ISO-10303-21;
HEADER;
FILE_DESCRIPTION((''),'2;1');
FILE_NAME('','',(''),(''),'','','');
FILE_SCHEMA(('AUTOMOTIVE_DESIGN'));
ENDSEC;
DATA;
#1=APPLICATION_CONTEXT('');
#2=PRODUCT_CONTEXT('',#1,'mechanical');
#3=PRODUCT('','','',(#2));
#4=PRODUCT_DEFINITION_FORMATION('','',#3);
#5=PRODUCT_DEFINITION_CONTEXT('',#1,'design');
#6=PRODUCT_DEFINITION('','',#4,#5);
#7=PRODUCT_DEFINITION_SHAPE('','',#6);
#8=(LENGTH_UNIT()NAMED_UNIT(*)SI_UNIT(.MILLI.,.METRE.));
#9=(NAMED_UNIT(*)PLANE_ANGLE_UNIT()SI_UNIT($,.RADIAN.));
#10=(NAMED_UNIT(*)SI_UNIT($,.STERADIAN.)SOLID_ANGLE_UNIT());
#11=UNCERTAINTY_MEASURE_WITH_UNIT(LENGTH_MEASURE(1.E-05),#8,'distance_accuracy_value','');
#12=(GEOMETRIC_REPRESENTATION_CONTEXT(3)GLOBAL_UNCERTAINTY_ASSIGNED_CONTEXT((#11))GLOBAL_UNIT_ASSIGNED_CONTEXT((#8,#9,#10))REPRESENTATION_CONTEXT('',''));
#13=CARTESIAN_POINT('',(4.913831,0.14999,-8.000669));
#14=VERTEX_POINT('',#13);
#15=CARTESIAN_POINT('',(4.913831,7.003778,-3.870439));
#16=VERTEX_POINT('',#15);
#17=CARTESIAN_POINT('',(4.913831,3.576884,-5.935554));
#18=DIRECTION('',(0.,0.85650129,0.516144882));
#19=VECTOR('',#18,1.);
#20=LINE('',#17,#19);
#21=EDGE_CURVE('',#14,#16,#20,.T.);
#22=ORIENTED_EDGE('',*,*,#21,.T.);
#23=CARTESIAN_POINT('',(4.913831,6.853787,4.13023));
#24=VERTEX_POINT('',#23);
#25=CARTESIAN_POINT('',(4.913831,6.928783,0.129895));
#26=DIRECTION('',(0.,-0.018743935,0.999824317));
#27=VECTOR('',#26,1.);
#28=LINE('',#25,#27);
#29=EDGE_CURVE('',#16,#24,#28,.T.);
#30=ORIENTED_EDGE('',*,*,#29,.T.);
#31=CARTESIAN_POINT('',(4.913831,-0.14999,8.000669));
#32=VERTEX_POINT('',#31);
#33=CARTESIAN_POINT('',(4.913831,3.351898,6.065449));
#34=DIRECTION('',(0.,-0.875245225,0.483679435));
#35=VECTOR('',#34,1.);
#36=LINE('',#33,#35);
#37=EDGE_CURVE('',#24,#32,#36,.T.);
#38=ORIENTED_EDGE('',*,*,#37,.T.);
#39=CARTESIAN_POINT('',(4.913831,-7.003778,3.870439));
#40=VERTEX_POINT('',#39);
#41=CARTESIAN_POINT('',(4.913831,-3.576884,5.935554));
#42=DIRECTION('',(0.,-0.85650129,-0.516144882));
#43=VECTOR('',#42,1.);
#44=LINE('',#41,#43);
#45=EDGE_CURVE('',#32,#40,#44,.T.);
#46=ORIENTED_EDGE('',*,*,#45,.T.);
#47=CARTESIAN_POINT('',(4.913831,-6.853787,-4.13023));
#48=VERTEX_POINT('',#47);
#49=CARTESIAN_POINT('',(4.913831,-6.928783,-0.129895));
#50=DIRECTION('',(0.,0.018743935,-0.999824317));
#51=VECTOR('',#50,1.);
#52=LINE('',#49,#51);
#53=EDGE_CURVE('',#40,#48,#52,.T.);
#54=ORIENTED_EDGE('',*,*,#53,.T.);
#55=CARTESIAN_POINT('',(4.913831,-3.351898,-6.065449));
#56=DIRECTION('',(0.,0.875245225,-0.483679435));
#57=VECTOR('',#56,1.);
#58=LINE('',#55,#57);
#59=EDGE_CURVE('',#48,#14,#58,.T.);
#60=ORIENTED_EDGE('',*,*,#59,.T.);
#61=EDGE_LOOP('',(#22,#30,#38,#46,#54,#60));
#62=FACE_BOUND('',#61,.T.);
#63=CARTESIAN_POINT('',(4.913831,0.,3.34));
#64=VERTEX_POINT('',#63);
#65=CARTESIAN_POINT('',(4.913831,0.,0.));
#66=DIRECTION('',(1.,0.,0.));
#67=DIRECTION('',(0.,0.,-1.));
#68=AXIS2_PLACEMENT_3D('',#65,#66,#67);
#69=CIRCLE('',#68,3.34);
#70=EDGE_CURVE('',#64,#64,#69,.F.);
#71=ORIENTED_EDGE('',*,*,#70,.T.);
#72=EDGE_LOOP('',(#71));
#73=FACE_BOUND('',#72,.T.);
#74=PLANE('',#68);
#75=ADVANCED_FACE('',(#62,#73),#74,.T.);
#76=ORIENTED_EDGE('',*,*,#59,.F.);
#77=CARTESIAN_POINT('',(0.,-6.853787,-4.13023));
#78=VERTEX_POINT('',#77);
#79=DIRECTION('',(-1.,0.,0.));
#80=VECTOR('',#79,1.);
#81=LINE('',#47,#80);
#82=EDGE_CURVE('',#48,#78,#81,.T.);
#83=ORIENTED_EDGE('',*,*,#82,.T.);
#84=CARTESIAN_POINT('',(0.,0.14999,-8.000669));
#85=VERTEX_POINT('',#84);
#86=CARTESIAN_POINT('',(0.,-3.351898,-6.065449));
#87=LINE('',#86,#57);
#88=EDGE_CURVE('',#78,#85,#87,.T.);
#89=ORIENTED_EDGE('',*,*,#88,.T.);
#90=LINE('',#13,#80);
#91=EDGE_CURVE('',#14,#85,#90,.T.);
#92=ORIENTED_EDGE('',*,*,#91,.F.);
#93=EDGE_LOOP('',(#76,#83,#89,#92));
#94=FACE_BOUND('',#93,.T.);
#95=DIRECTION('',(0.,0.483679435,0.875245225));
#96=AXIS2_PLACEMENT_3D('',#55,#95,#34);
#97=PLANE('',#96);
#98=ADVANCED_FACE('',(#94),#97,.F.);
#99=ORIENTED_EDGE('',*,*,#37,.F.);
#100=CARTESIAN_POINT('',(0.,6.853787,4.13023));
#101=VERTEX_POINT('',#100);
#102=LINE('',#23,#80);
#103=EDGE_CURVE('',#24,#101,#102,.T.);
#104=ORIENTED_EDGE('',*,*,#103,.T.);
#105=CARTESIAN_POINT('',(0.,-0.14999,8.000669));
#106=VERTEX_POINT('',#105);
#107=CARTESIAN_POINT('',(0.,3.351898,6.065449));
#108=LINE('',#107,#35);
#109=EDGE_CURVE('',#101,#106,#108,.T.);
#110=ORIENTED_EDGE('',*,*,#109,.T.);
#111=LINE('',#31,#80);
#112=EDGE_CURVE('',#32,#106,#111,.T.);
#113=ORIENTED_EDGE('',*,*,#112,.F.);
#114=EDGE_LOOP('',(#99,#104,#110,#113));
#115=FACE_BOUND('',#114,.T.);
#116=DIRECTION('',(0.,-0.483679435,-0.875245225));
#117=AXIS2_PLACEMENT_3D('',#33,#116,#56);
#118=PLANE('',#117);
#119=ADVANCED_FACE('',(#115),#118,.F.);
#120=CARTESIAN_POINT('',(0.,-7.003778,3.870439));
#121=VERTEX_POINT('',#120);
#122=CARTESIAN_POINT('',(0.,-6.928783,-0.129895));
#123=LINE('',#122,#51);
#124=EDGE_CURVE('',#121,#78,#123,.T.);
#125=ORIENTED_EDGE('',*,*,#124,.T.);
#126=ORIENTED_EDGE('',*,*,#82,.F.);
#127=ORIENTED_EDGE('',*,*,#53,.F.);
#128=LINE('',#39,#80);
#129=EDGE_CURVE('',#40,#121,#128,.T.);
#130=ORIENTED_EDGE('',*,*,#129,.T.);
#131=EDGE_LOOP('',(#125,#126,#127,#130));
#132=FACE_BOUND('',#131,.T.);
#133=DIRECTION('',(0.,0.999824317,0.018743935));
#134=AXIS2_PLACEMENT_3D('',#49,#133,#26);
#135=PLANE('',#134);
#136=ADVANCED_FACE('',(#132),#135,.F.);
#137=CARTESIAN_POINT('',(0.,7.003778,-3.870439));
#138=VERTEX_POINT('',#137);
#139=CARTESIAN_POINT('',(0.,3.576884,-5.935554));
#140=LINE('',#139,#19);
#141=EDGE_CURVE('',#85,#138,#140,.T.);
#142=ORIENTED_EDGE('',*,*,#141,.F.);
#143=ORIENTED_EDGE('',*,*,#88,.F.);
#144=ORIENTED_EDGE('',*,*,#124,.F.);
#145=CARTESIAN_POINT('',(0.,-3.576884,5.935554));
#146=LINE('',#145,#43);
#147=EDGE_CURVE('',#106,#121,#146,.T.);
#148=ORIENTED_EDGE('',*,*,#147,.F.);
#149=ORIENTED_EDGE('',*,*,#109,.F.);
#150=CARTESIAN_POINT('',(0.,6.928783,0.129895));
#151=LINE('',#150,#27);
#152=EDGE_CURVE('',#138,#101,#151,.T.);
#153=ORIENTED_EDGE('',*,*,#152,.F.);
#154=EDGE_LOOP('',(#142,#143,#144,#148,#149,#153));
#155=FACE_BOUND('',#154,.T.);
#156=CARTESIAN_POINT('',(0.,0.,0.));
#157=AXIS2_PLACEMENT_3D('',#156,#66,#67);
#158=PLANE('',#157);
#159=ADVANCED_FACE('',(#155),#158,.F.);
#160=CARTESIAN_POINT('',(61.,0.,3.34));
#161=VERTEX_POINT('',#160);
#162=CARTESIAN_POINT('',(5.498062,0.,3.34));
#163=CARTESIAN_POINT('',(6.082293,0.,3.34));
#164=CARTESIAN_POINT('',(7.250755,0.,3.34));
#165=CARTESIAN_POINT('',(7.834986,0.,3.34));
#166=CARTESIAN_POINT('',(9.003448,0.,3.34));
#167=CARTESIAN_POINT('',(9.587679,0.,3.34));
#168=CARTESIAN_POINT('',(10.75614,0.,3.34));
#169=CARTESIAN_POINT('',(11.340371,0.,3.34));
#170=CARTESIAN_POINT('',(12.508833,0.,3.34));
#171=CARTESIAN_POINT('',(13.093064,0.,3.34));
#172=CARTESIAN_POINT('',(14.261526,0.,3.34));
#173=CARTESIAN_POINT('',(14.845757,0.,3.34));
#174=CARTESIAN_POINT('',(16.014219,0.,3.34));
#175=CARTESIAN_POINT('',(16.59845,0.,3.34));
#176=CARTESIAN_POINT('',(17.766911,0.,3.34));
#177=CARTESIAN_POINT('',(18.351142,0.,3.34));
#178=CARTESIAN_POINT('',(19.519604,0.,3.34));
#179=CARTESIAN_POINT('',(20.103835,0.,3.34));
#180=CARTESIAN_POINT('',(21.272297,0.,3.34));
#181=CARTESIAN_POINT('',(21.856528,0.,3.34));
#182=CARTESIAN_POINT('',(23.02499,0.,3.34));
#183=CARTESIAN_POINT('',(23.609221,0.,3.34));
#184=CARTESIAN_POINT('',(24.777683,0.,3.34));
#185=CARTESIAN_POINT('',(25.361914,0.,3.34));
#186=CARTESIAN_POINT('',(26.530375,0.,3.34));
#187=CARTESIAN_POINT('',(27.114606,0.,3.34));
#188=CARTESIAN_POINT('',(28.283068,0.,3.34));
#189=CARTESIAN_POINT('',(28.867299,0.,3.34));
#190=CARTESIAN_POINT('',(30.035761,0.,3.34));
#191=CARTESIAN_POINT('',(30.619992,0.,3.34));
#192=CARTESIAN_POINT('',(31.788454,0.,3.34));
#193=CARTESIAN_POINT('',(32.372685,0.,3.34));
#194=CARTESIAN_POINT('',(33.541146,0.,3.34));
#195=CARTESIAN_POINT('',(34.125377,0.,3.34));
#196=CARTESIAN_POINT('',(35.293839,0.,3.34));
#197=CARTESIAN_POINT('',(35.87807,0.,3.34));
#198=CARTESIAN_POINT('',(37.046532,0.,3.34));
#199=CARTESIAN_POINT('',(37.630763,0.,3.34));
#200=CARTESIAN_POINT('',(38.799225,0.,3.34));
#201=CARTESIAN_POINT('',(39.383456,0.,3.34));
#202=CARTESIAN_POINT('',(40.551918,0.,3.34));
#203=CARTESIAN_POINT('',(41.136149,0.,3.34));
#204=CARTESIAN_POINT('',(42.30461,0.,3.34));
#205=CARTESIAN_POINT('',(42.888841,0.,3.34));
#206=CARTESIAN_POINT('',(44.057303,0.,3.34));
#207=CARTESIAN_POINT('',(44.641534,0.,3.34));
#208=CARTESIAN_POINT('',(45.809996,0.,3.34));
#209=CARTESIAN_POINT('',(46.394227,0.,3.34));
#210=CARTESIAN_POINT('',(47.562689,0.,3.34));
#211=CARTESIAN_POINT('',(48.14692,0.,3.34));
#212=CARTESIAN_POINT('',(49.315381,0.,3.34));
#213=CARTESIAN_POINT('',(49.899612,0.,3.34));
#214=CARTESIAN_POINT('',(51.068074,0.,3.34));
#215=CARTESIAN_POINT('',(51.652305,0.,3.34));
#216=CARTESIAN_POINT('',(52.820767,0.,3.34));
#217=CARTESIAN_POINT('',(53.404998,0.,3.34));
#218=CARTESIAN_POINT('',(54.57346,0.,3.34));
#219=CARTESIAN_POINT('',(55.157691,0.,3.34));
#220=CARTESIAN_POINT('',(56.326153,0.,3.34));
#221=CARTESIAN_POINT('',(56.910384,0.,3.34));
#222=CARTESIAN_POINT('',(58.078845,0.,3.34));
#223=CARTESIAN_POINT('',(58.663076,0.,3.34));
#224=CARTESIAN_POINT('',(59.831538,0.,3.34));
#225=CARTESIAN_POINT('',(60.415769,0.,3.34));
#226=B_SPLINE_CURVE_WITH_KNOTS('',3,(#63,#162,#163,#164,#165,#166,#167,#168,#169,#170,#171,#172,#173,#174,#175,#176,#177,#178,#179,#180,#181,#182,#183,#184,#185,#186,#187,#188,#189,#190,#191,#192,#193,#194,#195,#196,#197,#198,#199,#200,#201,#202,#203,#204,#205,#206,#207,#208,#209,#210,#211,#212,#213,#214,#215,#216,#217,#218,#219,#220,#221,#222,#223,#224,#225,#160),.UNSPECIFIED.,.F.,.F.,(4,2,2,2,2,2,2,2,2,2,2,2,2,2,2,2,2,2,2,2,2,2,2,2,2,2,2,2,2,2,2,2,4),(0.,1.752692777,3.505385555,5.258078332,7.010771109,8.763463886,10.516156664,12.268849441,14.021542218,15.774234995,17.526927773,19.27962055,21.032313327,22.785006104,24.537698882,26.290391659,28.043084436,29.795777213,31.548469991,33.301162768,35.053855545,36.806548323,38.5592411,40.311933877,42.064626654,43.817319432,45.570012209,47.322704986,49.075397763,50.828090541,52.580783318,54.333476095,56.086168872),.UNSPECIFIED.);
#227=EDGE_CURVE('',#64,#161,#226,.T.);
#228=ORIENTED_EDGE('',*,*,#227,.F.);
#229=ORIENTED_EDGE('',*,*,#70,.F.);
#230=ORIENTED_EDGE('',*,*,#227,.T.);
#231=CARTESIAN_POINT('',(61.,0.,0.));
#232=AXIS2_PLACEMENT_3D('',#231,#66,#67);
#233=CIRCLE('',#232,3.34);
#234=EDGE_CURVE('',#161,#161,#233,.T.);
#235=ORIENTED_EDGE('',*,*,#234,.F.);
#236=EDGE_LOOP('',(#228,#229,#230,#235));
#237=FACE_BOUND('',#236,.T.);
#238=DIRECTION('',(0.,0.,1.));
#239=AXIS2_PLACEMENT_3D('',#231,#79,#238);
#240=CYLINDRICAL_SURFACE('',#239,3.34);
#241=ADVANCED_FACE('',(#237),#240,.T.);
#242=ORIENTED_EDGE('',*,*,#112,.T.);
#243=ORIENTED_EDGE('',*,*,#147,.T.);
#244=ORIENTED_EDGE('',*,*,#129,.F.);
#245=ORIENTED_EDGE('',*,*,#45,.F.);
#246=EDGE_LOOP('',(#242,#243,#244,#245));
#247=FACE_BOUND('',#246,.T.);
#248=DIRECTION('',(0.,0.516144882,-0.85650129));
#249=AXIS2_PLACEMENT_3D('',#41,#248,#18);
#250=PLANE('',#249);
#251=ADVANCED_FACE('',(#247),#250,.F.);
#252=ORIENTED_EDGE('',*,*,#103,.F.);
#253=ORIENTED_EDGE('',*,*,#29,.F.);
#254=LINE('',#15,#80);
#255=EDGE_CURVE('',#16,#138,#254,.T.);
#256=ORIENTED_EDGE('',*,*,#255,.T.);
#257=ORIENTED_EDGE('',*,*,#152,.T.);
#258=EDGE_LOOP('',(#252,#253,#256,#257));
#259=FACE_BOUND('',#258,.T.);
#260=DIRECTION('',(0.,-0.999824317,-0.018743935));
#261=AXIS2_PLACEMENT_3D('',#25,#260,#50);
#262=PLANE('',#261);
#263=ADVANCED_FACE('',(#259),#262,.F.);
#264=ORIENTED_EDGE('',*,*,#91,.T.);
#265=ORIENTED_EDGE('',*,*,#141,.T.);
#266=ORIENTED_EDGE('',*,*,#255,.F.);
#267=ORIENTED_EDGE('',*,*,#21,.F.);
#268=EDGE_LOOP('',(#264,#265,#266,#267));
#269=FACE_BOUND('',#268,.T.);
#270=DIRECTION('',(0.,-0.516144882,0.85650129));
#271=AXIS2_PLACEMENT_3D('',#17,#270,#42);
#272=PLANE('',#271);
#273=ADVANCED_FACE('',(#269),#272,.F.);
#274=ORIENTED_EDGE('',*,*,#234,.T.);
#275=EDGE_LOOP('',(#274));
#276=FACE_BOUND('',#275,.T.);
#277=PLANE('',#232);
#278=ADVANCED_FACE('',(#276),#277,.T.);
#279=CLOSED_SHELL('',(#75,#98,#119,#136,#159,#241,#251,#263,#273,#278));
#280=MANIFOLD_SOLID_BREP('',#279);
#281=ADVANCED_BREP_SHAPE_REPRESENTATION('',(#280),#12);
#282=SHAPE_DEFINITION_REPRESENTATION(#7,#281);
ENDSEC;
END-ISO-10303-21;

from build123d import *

# Parameters (mm, degrees)
BOSS_EXTRUDE1_DEPTH = 4.913831128
SKETCH1_3_R         = 3.34
BOSS_EXTRUDE2_DEPTH = 61


with BuildPart() as part:
    # Sketch1 → Boss-Extrude1 (new body)
    with BuildSketch(Plane(origin=(0, 0, 0), x_dir=(0, 0, -1), z_dir=(1, 0, 0))):
        Polygon((-3.870438982, -7.003777701), (4.130229921, -6.853787333), (8.000668903, 0.149990369), (3.870438982, 7.003777701), (-4.130229921, 6.853787333), (-8.000668903, -0.149990369), align=None)
    extrude(amount=BOSS_EXTRUDE1_DEPTH)

    # Sketch1<3> → Boss-Extrude2 (add)
    with BuildSketch(Plane(origin=(0, 0, 0), x_dir=(0, 0, -1), z_dir=(1, 0, 0))):
        Circle(SKETCH1_3_R)
    extrude(amount=BOSS_EXTRUDE2_DEPTH)


solid = part.part
